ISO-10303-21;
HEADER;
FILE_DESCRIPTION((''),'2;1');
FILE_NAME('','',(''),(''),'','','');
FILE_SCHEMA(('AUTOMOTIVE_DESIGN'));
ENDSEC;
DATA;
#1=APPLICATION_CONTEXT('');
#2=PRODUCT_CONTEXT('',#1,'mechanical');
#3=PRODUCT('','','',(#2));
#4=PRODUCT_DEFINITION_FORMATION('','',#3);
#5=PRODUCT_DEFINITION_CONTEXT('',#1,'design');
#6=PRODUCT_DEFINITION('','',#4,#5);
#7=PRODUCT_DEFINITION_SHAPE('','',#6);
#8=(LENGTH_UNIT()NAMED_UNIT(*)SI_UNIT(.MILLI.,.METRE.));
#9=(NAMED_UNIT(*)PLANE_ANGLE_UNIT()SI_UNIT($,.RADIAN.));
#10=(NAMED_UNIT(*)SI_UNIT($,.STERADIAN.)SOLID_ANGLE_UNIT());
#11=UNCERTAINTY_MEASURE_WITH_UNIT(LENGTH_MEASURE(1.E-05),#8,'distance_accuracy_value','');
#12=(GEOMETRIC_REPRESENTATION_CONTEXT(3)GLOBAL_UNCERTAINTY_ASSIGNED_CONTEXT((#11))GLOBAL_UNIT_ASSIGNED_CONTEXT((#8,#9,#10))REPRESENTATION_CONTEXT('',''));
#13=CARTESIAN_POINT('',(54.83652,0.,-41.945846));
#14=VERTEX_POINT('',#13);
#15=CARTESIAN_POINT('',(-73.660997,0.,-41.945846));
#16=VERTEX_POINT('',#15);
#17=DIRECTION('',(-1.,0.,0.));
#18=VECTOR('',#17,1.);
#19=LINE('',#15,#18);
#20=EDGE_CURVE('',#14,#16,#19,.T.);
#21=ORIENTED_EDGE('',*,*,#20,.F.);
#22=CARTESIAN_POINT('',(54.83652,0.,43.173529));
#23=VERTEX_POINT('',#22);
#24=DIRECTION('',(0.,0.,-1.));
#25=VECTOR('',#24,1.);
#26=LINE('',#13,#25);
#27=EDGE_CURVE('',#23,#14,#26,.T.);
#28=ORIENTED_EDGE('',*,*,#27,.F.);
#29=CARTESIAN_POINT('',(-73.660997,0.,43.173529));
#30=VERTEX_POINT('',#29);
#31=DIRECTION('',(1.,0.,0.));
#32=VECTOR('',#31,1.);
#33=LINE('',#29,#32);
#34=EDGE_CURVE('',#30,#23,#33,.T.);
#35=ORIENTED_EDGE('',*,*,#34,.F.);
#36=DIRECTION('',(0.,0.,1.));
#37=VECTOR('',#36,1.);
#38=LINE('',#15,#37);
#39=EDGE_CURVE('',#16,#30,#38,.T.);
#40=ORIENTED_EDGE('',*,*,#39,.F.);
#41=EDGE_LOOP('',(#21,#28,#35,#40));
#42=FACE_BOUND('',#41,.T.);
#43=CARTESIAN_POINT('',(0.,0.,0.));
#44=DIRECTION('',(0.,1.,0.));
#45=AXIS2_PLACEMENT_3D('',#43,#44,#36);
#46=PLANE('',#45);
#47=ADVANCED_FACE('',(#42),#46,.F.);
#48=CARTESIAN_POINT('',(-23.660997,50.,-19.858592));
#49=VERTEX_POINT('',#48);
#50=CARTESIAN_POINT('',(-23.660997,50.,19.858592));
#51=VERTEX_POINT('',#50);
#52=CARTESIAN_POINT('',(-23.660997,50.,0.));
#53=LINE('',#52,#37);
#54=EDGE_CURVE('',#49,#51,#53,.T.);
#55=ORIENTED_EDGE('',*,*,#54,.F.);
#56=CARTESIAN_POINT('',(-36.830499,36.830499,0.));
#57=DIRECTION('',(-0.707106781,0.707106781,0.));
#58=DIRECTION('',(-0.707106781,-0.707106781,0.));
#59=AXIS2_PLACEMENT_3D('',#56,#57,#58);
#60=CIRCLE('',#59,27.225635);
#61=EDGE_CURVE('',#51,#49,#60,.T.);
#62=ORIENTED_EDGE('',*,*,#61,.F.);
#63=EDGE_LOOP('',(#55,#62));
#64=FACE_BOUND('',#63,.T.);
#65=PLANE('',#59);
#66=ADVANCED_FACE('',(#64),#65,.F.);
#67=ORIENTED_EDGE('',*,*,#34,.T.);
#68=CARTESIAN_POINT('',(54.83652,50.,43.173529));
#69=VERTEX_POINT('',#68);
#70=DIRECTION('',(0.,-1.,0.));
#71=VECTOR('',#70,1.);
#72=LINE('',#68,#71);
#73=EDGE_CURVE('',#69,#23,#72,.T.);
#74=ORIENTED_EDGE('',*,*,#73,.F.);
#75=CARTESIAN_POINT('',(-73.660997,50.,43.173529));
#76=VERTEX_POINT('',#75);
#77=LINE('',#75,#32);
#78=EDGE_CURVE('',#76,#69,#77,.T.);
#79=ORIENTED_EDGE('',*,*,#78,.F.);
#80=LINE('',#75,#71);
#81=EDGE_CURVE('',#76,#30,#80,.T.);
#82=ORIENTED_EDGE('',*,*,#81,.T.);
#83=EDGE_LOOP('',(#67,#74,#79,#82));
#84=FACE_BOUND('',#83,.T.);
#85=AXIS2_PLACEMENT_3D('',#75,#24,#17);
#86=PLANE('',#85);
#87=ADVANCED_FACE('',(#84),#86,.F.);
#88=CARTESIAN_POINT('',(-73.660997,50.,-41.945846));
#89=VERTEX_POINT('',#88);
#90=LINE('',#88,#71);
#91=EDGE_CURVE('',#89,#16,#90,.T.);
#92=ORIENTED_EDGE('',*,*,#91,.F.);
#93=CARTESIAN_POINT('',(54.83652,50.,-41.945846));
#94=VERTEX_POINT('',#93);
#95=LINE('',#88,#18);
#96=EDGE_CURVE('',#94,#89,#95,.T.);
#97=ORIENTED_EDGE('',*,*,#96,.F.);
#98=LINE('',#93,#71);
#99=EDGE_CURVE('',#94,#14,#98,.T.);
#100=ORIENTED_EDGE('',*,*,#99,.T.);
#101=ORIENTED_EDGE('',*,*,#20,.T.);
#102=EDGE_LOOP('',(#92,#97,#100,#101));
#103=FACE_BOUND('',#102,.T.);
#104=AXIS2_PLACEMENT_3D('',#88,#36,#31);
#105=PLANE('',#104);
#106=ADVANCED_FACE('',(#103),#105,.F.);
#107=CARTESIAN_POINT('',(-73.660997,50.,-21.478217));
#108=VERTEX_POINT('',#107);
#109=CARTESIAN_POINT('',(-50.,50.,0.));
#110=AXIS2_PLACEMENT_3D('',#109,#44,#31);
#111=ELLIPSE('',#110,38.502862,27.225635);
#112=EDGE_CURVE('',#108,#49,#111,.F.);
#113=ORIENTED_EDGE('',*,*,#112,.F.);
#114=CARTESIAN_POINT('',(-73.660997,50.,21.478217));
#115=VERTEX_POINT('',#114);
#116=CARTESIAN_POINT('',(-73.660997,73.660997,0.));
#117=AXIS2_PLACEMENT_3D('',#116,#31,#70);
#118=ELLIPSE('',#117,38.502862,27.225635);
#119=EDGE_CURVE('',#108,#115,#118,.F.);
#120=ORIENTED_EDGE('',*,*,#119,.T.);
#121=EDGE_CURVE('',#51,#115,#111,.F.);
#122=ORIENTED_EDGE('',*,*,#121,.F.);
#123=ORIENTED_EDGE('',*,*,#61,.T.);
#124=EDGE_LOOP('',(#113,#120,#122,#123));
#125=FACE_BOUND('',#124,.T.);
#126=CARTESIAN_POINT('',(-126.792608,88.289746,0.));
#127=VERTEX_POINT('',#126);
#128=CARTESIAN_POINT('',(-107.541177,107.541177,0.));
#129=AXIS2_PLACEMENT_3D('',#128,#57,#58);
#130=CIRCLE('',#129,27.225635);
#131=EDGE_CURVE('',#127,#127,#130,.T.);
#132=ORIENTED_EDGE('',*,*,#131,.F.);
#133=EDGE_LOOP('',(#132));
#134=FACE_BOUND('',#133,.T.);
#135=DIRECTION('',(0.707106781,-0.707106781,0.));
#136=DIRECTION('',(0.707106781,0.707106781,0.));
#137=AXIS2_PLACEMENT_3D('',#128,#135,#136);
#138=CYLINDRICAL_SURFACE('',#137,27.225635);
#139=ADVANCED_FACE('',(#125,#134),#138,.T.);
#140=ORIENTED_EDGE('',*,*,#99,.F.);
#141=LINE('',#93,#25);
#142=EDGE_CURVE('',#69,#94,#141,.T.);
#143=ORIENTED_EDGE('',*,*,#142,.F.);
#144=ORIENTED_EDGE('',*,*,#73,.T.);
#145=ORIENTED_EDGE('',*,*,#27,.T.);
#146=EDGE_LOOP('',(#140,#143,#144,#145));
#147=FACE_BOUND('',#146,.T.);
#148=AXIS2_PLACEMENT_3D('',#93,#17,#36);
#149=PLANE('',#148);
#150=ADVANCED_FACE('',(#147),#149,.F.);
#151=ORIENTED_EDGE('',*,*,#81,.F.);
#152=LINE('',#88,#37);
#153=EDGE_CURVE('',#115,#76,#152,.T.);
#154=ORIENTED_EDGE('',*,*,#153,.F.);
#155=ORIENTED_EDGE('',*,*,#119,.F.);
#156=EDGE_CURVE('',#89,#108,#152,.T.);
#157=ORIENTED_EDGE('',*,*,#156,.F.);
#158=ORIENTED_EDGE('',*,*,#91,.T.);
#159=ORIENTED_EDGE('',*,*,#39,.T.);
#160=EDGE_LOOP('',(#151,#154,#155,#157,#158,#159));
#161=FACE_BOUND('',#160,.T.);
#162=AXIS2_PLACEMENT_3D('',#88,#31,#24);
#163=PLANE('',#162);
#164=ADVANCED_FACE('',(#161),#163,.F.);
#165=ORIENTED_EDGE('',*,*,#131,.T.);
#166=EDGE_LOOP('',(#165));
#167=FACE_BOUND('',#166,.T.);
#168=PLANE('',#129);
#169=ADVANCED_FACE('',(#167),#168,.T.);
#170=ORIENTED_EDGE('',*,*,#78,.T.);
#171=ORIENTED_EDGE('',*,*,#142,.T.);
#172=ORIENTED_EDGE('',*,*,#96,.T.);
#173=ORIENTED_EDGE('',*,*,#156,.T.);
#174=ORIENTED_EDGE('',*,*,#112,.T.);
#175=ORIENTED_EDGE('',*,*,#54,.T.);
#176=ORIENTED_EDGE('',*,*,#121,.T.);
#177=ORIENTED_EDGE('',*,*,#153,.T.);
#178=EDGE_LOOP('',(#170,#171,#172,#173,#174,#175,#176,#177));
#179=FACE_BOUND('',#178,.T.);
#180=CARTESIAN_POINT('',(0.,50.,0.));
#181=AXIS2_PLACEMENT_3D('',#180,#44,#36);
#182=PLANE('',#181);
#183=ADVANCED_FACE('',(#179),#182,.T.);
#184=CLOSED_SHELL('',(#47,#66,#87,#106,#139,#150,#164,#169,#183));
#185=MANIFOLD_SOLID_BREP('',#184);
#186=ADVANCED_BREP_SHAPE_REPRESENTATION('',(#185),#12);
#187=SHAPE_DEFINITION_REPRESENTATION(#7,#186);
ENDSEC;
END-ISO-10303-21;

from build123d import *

# Parameters (mm, degrees)
SKETCH2_W           = 128.497517737
SKETCH2_H           = 85.119374807
BOSS_EXTRUDE1_DEPTH = 50
SKETCH3_R           = 27.225634724
BOSS_EXTRUDE2_DEPTH = 100


with BuildPart() as part:
    # Sketch2 → Boss-Extrude1 (new body)
    with BuildSketch(Plane(origin=(0, 0, 0), x_dir=(1, 0, 0), z_dir=(0, 1, 0))):
        with Locations((-9.412238561, -0.613841645)):
            Rectangle(SKETCH2_W, SKETCH2_H)
    extrude(amount=BOSS_EXTRUDE1_DEPTH)

    # Sketch3 → Boss-Extrude2 (add)
    with BuildSketch(Plane(origin=(-36.830498714, 36.830498714, 0), x_dir=(0, 0, 1), z_dir=(-0.7071067811865488, 0.7071067811865464, 0))):
        with Locations(Location((0, 0, 0), (0, 0, 136.836774517))):
            Circle(SKETCH3_R)
    extrude(amount=BOSS_EXTRUDE2_DEPTH)


solid = part.part
